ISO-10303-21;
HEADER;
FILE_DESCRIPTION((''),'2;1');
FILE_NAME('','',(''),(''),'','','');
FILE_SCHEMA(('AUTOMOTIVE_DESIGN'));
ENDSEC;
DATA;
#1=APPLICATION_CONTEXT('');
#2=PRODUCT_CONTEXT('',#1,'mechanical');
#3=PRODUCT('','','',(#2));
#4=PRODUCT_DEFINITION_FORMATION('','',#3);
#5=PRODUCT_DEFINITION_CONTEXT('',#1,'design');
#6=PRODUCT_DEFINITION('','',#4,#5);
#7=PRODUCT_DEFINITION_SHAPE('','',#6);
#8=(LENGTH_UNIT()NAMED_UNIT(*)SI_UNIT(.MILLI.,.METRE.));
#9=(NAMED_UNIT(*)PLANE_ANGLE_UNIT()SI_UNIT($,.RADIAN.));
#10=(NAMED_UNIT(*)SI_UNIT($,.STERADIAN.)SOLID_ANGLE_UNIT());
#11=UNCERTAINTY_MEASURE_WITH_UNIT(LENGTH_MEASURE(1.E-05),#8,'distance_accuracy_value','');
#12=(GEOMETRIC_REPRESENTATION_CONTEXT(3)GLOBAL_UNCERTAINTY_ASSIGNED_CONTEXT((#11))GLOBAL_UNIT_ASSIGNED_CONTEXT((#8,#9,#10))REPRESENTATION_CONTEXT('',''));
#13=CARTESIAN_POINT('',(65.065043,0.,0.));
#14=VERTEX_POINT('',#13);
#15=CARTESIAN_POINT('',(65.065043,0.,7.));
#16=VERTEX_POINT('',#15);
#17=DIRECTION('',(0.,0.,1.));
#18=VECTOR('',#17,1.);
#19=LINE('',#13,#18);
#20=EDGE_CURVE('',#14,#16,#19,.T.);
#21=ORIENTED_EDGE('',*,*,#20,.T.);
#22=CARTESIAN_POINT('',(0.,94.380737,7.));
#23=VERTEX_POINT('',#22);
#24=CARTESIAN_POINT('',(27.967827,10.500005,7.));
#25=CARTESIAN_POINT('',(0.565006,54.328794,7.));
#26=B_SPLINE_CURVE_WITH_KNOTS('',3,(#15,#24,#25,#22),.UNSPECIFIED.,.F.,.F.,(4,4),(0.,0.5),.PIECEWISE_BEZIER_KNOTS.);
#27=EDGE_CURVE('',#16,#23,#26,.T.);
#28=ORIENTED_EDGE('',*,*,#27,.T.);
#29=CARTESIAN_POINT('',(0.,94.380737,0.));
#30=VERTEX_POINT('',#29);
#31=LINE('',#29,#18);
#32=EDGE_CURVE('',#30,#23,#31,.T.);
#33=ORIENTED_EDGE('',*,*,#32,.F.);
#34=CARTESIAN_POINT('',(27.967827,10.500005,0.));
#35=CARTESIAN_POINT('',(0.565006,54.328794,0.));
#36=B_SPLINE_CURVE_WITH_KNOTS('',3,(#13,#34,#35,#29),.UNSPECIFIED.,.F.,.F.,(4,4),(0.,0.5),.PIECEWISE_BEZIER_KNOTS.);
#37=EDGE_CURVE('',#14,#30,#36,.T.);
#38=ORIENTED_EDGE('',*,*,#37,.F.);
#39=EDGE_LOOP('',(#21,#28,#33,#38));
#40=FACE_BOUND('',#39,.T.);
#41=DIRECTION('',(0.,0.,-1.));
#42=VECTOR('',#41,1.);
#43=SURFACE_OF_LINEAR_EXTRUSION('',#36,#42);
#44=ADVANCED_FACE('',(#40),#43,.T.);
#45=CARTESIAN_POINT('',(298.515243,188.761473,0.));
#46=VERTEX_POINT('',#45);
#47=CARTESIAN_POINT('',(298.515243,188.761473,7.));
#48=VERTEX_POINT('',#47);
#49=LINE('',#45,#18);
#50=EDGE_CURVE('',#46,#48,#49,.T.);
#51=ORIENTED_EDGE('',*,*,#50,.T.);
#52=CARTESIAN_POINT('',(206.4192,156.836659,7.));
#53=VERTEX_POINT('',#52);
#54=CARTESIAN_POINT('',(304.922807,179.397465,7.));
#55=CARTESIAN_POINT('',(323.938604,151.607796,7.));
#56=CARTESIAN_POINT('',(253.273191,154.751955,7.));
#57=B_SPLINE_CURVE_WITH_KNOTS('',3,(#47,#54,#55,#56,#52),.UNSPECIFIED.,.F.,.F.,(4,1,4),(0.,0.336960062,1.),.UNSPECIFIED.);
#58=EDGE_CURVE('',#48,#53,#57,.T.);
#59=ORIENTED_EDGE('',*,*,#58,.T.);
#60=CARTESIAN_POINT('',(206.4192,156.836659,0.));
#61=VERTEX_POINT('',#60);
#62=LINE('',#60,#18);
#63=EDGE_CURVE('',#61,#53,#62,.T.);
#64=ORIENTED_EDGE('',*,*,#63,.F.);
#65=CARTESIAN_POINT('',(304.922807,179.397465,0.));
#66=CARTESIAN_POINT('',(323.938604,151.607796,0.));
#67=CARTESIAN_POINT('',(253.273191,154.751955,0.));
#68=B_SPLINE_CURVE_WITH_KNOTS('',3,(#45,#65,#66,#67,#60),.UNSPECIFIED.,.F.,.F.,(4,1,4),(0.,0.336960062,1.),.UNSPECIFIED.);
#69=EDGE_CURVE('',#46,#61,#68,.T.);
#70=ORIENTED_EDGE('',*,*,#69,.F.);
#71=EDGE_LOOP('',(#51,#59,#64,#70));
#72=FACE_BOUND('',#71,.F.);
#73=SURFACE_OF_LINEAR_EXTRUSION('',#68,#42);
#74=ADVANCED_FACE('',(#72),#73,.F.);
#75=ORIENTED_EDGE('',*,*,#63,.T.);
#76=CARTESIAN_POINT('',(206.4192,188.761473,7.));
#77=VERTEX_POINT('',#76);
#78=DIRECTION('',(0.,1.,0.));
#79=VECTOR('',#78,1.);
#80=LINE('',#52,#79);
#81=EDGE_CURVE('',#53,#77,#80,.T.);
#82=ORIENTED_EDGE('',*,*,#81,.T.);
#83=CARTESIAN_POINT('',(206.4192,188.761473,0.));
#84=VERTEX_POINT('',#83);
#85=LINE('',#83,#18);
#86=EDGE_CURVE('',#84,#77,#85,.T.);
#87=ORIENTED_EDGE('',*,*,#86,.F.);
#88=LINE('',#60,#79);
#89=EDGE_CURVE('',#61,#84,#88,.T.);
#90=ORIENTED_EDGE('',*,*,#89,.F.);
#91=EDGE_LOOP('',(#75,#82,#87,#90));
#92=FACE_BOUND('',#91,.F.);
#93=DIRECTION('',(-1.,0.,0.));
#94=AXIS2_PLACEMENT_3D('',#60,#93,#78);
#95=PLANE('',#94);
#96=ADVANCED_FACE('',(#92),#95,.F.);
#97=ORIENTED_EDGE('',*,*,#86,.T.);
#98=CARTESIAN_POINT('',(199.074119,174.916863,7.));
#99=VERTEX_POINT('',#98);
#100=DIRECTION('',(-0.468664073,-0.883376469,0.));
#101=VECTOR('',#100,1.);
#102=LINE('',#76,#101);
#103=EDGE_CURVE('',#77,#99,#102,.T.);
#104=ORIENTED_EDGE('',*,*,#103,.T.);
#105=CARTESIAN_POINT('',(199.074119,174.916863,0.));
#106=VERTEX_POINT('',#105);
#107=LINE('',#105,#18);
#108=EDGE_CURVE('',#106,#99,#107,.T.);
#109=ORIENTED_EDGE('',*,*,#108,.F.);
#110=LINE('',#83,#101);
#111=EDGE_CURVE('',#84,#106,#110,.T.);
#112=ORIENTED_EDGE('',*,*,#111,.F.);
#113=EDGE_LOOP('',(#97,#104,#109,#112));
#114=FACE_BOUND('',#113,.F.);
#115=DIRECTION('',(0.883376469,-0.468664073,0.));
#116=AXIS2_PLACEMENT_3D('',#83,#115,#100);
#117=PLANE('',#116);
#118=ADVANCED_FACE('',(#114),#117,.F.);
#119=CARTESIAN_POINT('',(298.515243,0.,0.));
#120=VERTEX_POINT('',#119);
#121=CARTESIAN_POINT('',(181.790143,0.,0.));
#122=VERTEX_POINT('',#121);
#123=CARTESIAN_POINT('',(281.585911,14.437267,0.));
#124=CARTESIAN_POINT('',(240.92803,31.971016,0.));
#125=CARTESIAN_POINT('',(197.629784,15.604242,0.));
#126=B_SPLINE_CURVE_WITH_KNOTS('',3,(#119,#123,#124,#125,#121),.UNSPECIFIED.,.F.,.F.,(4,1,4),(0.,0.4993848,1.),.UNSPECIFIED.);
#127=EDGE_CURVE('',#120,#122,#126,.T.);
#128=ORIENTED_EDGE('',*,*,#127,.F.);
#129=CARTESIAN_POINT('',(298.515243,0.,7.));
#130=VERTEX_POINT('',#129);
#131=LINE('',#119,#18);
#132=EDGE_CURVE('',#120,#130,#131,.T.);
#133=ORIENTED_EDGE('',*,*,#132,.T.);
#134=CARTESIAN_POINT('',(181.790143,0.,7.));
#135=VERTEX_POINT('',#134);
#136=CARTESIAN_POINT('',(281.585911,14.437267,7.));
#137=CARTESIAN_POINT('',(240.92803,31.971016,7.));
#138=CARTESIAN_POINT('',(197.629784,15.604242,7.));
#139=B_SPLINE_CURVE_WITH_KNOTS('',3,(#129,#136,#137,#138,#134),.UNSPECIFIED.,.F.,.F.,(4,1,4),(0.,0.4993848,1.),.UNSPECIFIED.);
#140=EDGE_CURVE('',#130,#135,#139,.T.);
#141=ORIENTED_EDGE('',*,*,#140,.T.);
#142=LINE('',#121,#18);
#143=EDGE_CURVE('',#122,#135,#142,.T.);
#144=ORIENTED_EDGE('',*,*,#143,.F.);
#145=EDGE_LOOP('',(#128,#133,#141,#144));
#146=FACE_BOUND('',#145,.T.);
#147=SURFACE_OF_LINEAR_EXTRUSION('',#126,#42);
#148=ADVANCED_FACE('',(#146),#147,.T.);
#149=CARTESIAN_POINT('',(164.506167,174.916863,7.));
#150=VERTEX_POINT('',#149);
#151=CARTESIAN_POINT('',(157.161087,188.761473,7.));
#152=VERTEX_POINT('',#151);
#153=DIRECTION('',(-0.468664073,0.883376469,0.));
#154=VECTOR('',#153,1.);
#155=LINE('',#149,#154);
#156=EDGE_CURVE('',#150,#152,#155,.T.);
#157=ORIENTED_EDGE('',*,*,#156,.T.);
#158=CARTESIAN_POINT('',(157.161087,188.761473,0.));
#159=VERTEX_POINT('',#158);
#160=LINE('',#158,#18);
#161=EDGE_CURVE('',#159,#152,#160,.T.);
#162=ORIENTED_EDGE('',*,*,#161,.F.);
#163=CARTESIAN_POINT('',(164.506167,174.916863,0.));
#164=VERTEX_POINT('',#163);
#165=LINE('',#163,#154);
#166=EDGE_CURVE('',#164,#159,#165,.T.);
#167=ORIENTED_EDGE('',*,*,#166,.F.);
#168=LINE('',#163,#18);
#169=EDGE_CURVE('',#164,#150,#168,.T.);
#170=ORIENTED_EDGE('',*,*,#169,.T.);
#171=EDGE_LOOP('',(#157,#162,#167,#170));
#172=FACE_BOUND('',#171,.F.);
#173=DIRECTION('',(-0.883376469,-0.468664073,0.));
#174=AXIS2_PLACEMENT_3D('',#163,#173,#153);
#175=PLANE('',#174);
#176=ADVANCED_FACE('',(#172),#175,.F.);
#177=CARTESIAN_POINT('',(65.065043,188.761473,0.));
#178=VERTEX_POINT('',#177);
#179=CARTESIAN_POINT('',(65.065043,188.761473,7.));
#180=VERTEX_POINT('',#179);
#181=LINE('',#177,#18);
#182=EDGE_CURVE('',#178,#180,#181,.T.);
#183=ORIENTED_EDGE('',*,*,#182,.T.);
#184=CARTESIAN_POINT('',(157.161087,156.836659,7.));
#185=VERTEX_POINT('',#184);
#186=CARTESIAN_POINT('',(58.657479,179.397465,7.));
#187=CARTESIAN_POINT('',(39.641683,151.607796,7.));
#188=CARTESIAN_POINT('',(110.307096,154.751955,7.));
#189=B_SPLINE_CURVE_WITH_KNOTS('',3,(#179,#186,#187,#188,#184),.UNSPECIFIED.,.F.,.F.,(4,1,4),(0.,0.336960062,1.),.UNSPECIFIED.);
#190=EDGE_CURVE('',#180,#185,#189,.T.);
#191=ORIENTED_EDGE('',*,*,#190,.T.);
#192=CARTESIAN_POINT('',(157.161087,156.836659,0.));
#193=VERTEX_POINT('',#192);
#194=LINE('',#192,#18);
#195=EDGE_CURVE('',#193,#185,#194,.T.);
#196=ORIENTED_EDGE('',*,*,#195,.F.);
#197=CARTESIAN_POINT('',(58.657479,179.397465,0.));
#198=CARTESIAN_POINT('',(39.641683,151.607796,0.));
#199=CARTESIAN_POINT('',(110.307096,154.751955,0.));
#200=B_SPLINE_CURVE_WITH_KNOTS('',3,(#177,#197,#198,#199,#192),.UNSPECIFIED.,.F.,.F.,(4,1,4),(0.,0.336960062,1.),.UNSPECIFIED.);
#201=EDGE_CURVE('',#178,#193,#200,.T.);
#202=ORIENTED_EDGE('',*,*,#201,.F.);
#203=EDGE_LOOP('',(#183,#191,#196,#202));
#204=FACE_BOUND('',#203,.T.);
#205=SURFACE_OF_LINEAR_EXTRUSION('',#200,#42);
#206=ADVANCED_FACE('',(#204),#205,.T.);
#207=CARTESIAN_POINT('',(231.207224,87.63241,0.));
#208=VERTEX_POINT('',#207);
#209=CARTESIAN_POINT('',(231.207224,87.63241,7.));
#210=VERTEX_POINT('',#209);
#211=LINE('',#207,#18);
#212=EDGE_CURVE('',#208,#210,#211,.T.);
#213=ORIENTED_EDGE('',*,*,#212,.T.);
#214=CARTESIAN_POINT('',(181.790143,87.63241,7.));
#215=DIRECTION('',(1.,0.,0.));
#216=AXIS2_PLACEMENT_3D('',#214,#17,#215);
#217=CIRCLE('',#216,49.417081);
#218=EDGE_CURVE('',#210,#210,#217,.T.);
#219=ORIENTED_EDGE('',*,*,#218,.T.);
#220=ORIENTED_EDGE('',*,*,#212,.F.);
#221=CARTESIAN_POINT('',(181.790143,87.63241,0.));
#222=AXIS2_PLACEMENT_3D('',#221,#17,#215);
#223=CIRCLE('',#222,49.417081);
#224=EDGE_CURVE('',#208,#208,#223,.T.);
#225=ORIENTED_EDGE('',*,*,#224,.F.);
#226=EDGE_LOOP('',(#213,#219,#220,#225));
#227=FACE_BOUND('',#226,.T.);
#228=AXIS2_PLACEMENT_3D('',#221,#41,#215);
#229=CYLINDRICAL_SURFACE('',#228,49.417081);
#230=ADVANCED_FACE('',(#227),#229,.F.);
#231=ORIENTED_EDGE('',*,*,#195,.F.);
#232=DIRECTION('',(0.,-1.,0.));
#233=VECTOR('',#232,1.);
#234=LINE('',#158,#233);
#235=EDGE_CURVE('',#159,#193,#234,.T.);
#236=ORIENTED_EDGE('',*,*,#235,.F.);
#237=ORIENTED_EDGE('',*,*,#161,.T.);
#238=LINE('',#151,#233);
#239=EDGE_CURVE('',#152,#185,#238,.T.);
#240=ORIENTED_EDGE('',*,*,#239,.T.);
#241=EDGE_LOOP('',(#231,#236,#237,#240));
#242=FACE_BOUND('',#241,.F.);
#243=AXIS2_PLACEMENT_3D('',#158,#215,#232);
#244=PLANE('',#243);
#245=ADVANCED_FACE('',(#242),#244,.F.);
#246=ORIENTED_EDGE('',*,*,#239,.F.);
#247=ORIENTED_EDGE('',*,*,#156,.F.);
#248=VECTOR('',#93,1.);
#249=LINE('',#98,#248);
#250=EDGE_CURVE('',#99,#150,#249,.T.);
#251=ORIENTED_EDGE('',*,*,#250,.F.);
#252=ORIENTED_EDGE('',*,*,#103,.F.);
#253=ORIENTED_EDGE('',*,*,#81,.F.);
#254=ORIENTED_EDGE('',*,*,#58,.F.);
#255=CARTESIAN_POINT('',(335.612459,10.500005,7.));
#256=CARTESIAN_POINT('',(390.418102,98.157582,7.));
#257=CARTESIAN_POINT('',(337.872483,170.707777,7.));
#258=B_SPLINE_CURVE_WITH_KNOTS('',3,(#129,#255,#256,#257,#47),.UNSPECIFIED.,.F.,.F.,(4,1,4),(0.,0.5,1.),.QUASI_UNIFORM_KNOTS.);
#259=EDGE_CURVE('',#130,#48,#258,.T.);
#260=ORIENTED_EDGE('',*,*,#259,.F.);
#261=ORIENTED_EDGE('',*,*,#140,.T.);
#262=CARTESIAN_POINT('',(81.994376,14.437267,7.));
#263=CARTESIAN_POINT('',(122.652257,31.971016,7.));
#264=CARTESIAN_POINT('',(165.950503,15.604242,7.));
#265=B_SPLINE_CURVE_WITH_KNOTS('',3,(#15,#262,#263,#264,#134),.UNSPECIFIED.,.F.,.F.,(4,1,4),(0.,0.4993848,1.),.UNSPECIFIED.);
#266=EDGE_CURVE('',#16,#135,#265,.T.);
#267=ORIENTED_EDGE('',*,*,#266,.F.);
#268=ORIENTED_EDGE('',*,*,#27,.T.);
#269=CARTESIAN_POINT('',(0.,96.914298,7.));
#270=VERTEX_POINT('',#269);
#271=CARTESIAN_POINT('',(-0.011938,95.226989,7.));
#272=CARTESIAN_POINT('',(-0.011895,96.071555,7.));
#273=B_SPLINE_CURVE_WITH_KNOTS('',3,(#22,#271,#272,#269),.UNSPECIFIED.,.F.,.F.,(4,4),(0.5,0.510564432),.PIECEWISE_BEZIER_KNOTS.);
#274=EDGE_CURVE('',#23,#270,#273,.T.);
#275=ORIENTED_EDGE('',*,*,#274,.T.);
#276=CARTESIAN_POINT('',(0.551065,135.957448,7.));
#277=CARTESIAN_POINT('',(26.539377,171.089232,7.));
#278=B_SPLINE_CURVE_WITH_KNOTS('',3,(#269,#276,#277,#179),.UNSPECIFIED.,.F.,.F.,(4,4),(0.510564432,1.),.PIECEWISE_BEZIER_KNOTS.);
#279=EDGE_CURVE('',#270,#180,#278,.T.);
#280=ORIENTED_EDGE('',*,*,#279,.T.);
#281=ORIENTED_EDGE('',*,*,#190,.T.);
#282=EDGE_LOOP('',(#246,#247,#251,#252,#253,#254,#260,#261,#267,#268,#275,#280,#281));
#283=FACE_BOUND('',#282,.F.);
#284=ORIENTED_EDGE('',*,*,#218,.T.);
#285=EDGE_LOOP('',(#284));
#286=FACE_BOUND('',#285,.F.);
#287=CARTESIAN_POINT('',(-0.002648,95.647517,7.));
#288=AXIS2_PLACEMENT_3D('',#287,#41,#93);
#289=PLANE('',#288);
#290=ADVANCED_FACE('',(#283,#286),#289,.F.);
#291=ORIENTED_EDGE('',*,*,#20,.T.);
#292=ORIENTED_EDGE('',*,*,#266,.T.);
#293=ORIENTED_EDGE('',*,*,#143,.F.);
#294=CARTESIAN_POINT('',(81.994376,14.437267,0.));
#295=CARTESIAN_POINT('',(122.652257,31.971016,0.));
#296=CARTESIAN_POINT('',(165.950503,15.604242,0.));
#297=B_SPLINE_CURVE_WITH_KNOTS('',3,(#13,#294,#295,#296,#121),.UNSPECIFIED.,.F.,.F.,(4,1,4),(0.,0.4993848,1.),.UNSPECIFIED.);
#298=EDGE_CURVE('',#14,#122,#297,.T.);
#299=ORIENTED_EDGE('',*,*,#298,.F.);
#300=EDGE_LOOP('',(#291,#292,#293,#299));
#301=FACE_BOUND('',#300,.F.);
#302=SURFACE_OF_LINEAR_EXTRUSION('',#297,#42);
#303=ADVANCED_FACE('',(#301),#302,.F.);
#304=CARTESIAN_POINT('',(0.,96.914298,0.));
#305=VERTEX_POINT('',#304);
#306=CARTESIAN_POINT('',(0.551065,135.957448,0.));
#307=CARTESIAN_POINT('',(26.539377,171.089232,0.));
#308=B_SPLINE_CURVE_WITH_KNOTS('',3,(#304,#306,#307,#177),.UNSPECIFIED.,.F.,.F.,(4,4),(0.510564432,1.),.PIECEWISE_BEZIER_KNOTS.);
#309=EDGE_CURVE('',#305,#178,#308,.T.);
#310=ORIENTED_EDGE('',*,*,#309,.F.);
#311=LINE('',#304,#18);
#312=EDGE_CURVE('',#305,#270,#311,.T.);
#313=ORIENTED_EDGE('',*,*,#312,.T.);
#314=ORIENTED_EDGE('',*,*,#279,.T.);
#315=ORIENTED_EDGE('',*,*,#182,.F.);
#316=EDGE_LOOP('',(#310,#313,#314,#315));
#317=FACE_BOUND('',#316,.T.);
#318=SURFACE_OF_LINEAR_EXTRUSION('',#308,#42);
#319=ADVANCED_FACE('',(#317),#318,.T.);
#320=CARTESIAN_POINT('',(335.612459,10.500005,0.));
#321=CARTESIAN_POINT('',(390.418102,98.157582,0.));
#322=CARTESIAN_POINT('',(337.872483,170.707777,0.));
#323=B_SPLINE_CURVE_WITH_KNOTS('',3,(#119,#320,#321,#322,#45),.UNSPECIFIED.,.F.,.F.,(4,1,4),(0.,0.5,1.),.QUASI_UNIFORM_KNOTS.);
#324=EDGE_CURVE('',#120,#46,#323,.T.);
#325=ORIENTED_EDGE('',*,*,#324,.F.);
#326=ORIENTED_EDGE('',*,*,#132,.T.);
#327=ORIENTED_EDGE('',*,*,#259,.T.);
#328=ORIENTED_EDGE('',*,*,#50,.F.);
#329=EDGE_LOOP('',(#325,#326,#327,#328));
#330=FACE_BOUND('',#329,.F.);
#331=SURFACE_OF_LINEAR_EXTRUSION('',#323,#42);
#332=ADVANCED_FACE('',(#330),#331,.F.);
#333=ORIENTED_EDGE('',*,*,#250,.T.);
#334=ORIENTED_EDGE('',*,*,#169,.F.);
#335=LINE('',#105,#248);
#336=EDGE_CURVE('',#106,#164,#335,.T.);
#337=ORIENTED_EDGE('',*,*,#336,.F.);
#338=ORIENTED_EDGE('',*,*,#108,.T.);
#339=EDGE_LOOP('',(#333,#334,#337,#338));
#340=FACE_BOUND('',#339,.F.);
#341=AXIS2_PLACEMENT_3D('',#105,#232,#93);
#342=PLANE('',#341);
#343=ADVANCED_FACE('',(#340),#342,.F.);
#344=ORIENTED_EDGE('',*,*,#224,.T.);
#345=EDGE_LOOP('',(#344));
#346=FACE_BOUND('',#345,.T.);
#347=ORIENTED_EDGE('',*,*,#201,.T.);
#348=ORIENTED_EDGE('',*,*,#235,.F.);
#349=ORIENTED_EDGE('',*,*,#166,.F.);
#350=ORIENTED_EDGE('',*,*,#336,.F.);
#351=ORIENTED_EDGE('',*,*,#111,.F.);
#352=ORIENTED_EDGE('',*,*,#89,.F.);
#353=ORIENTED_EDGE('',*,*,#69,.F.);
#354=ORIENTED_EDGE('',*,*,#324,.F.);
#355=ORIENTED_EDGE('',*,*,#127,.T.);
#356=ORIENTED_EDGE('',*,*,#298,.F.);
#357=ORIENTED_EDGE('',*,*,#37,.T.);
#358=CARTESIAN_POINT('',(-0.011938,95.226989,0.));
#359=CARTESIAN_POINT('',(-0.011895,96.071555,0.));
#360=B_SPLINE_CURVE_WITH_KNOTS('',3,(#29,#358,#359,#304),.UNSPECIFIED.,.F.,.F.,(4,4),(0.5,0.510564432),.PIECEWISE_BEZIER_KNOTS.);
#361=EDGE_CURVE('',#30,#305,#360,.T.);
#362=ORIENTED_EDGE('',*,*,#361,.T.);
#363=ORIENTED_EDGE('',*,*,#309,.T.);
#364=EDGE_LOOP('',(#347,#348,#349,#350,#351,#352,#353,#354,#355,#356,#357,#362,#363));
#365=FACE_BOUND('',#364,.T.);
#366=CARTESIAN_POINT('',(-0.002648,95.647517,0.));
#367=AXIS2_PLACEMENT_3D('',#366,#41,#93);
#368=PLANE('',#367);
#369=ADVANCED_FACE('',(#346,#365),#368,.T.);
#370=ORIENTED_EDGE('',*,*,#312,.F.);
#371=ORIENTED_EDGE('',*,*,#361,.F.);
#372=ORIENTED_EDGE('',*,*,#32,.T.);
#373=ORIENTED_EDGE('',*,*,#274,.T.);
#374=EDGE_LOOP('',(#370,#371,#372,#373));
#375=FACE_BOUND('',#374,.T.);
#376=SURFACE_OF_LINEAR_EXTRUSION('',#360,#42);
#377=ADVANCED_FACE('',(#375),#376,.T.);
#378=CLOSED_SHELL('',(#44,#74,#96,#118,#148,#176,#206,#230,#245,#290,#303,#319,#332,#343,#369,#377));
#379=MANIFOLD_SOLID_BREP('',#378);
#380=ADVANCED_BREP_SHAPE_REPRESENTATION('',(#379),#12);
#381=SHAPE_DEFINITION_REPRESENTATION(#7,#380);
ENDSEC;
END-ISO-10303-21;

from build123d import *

# Parameters (mm, degrees)
F0_R     = 49.4170811362
F1_DEPTH = 7


with BuildPart() as f1:
    # F0 (on Top) → F1 (new body)
    with BuildSketch(Plane.XY):
        with BuildLine():
            add(Edge.make_bspline(
                [(0, 94.3807365658), (-0.0119379338, 95.2269886433), (-0.0118946907, 96.0715546279), (0, 96.9142982709)],
                knots=[0.5, 0.5, 0.5, 0.5, 0.5105644323, 0.5105644323, 0.5105644323, 0.5105644323], degree=3))
            Line((0, 94.3807365658), (0, 96.9142982709))
        make_face()
        with BuildLine():
            Line((0, 96.9142982709), (0, 94.3807365658))
            add(Edge.make_bspline(
                [(65.0650430471, 0), (27.9678273946, 10.5000054464), (0.565005932, 54.3287935629), (0, 94.3807365658)],
                knots=[0, 0, 0, 0, 0.5, 0.5, 0.5, 0.5], degree=3))
            add(Edge.make_bspline(
                [(65.0650430471, 0), (81.994375859, 14.4372666979), (122.6522566992, 31.9710162807), (165.9505028095, 15.6042415748), (181.7901432514, 0)],
                knots=[0, 0, 0, 0, 0.4993848001, 1, 1, 1, 1], degree=3))
            add(Edge.make_bspline(
                [(298.5152434558, 0), (281.5859106439, 14.4372666979), (240.9280298036, 31.9710162807), (197.6297836934, 15.6042415748), (181.7901432514, 0)],
                knots=[0, 0, 0, 0, 0.4993848001, 1, 1, 1, 1], degree=3))
            add(Edge.make_bspline(
                [(298.5152434558, 0), (335.6124591082, 10.5000054464), (390.4181020334, 98.1575816793), (337.8724828362, 170.7077774581), (298.5152434558, 188.7614731316)],
                knots=[0, 0, 0, 0, 0.5, 1, 1, 1, 1], degree=3))
            add(Edge.make_bspline(
                [(298.5152434558, 188.7614731316), (304.9228074129, 179.3974646966), (323.9386038821, 151.6077961536), (253.2731908086, 154.7519554988), (206.4191997051, 156.8366587162)],
                knots=[0, 0, 0, 0, 0.336960062, 1, 1, 1, 1], degree=3))
            Line((206.4191997051, 156.8366587162), (206.4191997051, 188.7614731316))
            Line((206.4191997051, 188.7614731316), (199.0741193295, 174.9168634415))
            Line((199.0741193295, 174.9168634415), (181.7901432514, 174.9168634415))
            Line((181.7901432514, 174.9168634415), (164.5061671734, 174.9168634415))
            Line((164.5061671734, 174.9168634415), (157.1610867977, 188.7614731316))
            Line((157.1610867977, 188.7614731316), (157.1610867977, 156.8366587162))
            add(Edge.make_bspline(
                [(65.0650430471, 188.7614731316), (58.65747909, 179.3974646966), (39.6416826207, 151.6077961536), (110.3070956942, 154.7519554988), (157.1610867977, 156.8366587162)],
                knots=[0, 0, 0, 0, 0.336960062, 1, 1, 1, 1], degree=3))
            add(Edge.make_bspline(
                [(0, 96.9142982709), (0.551064605, 135.9574482655), (26.5393774454, 171.0892315481), (65.0650430471, 188.7614731316)],
                knots=[0.5105644323, 0.5105644323, 0.5105644323, 0.5105644323, 1, 1, 1, 1], degree=3))
        make_face()
        with Locations((181.7901432514, 87.6324102283)):
            Circle(F0_R, mode=Mode.SUBTRACT)
    extrude(amount=F1_DEPTH)


solid = f1.part
